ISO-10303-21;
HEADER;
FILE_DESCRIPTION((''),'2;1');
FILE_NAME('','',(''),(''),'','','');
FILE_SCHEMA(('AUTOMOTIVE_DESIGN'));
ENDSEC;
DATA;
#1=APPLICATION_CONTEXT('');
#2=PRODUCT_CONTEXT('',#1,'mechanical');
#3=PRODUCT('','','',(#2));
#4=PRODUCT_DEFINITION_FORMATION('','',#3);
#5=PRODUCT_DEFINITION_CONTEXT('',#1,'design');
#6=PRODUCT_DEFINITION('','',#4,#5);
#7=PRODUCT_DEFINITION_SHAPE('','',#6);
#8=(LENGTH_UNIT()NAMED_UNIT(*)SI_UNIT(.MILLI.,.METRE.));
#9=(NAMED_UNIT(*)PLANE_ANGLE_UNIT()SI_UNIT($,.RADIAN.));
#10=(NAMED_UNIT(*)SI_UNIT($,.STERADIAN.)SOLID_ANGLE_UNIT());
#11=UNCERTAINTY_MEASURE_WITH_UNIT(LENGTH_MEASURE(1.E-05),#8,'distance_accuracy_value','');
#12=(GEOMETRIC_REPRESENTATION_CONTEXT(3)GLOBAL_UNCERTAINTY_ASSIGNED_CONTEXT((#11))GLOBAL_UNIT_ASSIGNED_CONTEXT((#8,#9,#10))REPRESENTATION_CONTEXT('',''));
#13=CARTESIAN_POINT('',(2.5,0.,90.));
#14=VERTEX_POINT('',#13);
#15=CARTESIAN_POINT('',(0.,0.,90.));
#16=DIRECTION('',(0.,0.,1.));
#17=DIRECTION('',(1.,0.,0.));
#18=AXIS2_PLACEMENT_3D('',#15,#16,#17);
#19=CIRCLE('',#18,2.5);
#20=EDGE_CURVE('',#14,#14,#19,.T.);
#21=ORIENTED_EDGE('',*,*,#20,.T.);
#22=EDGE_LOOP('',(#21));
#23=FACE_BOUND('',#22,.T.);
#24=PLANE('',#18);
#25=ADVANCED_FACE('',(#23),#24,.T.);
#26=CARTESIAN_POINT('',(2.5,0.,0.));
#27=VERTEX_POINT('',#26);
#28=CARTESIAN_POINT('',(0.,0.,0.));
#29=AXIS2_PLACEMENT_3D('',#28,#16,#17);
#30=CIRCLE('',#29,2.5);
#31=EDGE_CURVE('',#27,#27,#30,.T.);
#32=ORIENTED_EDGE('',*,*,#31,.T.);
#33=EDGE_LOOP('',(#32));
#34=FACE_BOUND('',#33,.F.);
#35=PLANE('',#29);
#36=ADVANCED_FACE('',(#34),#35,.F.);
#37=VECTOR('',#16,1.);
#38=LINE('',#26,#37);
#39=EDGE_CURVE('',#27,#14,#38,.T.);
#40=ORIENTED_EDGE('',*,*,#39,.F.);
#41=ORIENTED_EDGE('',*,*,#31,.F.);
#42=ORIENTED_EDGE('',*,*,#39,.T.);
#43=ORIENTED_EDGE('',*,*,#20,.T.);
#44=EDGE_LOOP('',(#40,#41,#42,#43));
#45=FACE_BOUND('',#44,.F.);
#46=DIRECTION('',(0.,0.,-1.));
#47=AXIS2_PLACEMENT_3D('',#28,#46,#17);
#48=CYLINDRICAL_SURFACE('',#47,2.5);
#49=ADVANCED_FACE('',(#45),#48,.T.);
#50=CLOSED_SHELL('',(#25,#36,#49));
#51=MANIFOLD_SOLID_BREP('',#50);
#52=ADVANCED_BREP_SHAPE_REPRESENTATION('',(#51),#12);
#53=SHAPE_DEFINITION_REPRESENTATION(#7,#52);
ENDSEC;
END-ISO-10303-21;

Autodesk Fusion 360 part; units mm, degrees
sketch "Sketch1" plane through (0, 0, 0) normal (0, 0, 1) x (1, 0, 0)
  circle A0 centre (0, 0) radius 2.5
  dimension "d1" = 5
extrude "Extrude1" add sketch "Sketch1" along normal blind 90
